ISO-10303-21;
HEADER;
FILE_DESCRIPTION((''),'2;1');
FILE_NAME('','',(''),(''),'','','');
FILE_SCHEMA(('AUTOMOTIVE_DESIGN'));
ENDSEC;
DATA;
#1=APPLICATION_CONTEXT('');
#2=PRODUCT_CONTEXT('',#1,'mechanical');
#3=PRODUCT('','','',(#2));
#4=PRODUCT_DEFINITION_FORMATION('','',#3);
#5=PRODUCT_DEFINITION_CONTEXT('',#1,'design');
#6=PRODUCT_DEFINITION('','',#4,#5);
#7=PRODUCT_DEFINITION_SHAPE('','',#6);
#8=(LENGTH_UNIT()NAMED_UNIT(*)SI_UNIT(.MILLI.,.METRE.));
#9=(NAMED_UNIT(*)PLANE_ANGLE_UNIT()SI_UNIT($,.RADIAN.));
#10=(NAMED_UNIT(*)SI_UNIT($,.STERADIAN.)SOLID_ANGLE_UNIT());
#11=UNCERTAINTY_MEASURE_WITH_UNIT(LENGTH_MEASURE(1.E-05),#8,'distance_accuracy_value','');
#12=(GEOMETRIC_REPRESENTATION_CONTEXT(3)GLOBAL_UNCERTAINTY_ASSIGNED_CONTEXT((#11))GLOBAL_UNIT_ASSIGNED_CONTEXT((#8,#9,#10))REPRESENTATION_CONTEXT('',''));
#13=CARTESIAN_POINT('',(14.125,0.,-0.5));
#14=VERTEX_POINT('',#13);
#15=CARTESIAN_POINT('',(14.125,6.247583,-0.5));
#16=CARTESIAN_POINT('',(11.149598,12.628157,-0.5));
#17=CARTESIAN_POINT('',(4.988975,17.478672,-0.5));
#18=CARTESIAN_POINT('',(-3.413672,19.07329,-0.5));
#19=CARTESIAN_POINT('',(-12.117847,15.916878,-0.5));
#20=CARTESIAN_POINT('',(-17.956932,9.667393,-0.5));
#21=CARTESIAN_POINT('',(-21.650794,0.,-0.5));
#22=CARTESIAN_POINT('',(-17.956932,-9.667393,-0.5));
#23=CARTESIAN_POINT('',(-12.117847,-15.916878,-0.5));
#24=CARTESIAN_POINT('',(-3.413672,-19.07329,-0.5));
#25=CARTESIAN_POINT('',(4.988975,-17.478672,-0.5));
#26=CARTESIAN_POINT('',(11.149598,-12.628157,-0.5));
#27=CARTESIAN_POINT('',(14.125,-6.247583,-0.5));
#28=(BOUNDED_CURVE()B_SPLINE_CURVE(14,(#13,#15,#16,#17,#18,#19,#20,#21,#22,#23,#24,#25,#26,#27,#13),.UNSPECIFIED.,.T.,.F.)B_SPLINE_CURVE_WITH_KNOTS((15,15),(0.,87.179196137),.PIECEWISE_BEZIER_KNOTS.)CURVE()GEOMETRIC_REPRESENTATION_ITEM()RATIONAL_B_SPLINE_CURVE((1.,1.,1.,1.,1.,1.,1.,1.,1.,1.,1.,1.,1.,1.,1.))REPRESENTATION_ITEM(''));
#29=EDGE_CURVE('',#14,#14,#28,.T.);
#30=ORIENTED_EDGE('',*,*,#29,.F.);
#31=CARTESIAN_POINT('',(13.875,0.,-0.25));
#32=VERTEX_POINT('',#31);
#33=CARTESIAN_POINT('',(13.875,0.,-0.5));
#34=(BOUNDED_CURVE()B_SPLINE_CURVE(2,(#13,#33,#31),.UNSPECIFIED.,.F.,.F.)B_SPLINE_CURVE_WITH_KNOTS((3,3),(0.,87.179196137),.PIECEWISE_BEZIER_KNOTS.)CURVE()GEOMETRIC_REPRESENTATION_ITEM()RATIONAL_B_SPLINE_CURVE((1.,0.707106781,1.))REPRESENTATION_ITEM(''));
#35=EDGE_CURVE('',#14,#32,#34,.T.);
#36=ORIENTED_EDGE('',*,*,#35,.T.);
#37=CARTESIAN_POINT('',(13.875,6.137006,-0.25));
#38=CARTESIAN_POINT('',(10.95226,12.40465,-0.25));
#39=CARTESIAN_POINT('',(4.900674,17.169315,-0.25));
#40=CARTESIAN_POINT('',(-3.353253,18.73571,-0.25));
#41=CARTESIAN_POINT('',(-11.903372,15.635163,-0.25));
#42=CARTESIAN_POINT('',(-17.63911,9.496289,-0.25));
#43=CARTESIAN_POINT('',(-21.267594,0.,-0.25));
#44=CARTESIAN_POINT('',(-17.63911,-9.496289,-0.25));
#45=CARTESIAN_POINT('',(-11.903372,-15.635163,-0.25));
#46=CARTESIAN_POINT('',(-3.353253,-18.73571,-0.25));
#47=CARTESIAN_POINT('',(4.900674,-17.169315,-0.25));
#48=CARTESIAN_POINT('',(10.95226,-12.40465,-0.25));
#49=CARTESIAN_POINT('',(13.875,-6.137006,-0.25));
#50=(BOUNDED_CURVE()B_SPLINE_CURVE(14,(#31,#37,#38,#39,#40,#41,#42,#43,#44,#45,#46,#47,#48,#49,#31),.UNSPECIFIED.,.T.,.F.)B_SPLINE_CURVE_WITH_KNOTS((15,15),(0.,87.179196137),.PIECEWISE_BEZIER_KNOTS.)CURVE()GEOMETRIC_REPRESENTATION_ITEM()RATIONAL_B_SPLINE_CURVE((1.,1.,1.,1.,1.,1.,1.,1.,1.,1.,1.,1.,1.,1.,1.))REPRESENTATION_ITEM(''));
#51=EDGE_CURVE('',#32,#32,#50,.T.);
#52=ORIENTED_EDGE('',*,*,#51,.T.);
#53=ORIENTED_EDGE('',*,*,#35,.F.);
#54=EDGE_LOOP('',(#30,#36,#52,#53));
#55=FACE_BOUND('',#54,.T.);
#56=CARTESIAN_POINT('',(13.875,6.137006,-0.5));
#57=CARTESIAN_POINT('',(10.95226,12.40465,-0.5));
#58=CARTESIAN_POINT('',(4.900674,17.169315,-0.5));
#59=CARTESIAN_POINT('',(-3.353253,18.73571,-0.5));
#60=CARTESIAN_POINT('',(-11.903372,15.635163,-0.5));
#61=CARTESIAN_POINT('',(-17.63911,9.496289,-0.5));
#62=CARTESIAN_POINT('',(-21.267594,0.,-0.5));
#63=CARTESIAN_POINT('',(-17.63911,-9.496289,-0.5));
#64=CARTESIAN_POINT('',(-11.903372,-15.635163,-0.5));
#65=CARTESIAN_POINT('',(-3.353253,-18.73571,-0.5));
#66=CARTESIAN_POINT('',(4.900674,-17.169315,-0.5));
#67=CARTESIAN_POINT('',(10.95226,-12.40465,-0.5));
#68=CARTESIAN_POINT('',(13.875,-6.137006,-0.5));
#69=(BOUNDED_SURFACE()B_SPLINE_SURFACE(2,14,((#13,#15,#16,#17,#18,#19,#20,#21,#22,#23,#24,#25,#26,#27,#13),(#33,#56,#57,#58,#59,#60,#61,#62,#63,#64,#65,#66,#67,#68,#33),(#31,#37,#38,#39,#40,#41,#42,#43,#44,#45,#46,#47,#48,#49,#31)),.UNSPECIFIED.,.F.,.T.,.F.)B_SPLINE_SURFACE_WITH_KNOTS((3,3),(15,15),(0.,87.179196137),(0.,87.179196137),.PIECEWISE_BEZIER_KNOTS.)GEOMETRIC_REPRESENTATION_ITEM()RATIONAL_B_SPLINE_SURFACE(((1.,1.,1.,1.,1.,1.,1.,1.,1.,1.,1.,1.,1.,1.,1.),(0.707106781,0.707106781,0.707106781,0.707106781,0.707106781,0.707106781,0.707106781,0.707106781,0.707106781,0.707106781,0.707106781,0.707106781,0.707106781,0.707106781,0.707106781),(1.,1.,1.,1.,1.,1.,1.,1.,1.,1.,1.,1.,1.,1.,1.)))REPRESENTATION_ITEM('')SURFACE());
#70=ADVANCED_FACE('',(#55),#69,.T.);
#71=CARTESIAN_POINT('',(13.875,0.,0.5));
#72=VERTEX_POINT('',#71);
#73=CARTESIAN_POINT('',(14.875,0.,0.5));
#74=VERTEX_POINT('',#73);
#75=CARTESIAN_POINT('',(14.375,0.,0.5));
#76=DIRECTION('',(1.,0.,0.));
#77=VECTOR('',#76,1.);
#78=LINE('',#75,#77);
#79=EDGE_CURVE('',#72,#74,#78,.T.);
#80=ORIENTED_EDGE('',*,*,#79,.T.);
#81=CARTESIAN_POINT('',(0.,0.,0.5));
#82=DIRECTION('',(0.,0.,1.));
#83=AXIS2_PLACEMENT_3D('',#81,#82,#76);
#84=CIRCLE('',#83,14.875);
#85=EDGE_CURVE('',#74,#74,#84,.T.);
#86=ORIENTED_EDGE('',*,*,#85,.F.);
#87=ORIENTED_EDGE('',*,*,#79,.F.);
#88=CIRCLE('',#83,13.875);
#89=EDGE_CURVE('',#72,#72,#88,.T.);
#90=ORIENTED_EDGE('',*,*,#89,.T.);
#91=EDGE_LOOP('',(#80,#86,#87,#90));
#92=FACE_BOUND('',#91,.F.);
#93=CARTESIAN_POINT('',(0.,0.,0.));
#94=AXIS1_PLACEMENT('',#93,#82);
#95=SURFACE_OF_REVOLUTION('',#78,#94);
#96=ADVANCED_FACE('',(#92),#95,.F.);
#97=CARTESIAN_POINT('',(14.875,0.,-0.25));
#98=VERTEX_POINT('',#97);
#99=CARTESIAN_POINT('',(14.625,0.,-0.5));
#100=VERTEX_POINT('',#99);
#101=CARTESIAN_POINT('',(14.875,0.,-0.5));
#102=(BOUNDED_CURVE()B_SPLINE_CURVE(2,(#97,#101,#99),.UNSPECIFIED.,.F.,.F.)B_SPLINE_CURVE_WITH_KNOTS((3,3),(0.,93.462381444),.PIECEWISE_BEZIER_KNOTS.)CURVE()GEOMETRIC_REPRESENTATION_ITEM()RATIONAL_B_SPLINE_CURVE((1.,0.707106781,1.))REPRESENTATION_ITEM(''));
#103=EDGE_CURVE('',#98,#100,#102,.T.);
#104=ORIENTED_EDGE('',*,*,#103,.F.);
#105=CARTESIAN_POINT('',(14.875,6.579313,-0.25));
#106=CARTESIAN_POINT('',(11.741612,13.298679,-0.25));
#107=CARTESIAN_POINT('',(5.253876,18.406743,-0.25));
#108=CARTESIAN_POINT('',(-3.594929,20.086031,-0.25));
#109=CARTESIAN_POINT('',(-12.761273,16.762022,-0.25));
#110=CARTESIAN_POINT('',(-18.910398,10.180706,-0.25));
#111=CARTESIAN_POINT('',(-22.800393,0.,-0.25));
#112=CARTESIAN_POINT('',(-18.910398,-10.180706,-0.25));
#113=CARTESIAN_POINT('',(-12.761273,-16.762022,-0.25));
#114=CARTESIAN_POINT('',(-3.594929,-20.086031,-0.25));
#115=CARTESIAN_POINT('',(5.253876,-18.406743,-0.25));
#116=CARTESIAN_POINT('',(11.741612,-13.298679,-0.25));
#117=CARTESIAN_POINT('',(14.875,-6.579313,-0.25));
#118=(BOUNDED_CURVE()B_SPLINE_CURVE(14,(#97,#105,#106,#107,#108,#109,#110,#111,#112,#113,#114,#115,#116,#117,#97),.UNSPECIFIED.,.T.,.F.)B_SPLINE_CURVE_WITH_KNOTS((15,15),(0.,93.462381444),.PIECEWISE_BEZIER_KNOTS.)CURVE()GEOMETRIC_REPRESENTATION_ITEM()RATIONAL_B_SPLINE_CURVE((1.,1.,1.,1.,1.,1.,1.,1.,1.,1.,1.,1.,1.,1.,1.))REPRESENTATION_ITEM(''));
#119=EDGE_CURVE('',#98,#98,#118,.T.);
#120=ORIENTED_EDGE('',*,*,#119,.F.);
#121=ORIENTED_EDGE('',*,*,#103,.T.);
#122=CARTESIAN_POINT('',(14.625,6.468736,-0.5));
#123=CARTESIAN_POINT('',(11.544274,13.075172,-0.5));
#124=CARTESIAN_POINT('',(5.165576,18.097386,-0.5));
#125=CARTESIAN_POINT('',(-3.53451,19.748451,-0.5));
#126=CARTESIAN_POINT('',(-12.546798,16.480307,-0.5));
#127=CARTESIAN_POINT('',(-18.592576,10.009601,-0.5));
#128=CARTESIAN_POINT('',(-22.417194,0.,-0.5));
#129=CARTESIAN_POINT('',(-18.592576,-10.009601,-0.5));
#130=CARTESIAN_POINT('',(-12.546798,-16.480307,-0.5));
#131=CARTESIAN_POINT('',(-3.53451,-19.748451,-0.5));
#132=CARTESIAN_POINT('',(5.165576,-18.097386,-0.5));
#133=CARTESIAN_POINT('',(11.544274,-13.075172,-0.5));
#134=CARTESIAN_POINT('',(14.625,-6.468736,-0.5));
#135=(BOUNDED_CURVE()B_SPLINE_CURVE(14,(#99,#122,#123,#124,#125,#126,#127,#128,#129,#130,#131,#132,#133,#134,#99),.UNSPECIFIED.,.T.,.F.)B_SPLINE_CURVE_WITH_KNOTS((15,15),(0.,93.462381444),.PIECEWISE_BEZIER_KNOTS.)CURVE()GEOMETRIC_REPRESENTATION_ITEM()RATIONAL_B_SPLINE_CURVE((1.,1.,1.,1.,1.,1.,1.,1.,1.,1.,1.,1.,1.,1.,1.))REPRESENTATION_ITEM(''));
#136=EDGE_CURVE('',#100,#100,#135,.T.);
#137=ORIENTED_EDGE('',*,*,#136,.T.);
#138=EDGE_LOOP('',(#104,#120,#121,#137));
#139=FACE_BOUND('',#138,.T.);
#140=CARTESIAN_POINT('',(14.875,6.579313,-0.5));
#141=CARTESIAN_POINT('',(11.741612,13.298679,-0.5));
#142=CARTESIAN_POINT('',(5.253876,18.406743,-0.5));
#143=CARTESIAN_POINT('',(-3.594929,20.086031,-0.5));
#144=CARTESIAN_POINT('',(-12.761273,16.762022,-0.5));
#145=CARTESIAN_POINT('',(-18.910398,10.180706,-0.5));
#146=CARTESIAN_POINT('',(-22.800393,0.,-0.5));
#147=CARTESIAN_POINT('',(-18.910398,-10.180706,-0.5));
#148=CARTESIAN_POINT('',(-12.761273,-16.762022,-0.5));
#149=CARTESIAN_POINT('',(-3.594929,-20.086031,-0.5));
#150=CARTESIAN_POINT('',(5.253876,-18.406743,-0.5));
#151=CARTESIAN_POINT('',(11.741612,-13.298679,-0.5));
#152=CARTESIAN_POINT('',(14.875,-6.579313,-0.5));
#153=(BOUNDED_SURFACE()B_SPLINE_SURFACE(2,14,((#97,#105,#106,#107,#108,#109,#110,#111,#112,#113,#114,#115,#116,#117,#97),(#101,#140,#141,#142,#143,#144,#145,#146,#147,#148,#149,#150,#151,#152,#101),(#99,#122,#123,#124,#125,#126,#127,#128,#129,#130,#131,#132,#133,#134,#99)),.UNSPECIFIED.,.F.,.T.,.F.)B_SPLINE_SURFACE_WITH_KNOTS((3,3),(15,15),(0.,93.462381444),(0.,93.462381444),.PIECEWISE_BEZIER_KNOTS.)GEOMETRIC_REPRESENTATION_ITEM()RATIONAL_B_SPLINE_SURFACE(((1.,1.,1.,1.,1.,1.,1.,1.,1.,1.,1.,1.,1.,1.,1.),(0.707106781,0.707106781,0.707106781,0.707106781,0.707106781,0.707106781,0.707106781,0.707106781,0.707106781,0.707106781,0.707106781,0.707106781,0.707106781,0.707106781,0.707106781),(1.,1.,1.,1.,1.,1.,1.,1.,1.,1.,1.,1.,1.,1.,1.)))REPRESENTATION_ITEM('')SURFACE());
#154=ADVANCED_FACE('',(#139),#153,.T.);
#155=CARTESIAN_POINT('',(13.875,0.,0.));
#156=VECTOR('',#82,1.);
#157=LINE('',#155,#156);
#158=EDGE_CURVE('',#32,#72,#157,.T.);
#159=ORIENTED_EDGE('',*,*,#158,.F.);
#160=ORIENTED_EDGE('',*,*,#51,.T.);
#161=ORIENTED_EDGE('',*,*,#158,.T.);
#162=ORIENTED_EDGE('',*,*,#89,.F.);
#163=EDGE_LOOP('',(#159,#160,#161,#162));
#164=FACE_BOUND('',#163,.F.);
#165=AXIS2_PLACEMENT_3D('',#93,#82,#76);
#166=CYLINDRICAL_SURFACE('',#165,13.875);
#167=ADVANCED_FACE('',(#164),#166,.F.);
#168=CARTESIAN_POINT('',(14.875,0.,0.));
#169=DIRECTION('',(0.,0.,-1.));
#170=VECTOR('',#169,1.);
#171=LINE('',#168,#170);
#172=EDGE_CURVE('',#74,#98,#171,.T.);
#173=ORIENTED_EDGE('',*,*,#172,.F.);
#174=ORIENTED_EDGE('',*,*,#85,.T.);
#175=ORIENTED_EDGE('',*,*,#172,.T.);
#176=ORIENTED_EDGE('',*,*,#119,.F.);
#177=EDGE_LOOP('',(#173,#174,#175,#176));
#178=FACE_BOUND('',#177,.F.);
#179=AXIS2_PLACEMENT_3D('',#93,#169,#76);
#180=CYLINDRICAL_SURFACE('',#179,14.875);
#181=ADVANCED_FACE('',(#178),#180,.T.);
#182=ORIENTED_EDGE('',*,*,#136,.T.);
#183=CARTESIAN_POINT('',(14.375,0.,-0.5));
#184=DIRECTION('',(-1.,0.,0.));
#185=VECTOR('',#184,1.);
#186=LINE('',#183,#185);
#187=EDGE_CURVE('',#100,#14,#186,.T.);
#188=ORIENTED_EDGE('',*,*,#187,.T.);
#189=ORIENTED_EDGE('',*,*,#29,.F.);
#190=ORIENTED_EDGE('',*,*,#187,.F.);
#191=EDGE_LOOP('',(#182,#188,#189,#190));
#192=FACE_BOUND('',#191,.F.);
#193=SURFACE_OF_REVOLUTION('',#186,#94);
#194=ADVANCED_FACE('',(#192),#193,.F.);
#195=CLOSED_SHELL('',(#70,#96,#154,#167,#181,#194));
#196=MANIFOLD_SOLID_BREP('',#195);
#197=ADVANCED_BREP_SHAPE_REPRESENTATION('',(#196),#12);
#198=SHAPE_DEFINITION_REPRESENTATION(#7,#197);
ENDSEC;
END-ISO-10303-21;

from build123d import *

# Parameters (mm, degrees)
SKETCH015_W = 1
SKETCH015_H = 1
FILLET001_R = 0.25
FILLET002_R = 0.25


with BuildPart() as part:
    # Sweep005: sweep along a path in Sketch016
    with BuildLine(Plane.XY) as sweep005_path:
        CenterArc((0, 0), 13.875, 0, 360)
    # Sketch015 → Sweep005 (sweep)
    with BuildSketch(Plane.XZ):
        with Locations((-14.375, 0)):
            Rectangle(SKETCH015_W, SKETCH015_H)
    sweep(path=sweep005_path.line)

    # Fillet001
    fillet001_edges = [part.edges().sort_by_distance(p)[0] for p in [
        (-14.875, 0, -0.5),
    ]]
    fillet(fillet001_edges, radius=FILLET001_R)

    # Fillet002
    fillet002_edges = [part.edges().sort_by_distance(p)[0] for p in [
        (-13.875, 0, -0.5),
    ]]
    fillet(fillet002_edges, radius=FILLET002_R)


solid = part.part
